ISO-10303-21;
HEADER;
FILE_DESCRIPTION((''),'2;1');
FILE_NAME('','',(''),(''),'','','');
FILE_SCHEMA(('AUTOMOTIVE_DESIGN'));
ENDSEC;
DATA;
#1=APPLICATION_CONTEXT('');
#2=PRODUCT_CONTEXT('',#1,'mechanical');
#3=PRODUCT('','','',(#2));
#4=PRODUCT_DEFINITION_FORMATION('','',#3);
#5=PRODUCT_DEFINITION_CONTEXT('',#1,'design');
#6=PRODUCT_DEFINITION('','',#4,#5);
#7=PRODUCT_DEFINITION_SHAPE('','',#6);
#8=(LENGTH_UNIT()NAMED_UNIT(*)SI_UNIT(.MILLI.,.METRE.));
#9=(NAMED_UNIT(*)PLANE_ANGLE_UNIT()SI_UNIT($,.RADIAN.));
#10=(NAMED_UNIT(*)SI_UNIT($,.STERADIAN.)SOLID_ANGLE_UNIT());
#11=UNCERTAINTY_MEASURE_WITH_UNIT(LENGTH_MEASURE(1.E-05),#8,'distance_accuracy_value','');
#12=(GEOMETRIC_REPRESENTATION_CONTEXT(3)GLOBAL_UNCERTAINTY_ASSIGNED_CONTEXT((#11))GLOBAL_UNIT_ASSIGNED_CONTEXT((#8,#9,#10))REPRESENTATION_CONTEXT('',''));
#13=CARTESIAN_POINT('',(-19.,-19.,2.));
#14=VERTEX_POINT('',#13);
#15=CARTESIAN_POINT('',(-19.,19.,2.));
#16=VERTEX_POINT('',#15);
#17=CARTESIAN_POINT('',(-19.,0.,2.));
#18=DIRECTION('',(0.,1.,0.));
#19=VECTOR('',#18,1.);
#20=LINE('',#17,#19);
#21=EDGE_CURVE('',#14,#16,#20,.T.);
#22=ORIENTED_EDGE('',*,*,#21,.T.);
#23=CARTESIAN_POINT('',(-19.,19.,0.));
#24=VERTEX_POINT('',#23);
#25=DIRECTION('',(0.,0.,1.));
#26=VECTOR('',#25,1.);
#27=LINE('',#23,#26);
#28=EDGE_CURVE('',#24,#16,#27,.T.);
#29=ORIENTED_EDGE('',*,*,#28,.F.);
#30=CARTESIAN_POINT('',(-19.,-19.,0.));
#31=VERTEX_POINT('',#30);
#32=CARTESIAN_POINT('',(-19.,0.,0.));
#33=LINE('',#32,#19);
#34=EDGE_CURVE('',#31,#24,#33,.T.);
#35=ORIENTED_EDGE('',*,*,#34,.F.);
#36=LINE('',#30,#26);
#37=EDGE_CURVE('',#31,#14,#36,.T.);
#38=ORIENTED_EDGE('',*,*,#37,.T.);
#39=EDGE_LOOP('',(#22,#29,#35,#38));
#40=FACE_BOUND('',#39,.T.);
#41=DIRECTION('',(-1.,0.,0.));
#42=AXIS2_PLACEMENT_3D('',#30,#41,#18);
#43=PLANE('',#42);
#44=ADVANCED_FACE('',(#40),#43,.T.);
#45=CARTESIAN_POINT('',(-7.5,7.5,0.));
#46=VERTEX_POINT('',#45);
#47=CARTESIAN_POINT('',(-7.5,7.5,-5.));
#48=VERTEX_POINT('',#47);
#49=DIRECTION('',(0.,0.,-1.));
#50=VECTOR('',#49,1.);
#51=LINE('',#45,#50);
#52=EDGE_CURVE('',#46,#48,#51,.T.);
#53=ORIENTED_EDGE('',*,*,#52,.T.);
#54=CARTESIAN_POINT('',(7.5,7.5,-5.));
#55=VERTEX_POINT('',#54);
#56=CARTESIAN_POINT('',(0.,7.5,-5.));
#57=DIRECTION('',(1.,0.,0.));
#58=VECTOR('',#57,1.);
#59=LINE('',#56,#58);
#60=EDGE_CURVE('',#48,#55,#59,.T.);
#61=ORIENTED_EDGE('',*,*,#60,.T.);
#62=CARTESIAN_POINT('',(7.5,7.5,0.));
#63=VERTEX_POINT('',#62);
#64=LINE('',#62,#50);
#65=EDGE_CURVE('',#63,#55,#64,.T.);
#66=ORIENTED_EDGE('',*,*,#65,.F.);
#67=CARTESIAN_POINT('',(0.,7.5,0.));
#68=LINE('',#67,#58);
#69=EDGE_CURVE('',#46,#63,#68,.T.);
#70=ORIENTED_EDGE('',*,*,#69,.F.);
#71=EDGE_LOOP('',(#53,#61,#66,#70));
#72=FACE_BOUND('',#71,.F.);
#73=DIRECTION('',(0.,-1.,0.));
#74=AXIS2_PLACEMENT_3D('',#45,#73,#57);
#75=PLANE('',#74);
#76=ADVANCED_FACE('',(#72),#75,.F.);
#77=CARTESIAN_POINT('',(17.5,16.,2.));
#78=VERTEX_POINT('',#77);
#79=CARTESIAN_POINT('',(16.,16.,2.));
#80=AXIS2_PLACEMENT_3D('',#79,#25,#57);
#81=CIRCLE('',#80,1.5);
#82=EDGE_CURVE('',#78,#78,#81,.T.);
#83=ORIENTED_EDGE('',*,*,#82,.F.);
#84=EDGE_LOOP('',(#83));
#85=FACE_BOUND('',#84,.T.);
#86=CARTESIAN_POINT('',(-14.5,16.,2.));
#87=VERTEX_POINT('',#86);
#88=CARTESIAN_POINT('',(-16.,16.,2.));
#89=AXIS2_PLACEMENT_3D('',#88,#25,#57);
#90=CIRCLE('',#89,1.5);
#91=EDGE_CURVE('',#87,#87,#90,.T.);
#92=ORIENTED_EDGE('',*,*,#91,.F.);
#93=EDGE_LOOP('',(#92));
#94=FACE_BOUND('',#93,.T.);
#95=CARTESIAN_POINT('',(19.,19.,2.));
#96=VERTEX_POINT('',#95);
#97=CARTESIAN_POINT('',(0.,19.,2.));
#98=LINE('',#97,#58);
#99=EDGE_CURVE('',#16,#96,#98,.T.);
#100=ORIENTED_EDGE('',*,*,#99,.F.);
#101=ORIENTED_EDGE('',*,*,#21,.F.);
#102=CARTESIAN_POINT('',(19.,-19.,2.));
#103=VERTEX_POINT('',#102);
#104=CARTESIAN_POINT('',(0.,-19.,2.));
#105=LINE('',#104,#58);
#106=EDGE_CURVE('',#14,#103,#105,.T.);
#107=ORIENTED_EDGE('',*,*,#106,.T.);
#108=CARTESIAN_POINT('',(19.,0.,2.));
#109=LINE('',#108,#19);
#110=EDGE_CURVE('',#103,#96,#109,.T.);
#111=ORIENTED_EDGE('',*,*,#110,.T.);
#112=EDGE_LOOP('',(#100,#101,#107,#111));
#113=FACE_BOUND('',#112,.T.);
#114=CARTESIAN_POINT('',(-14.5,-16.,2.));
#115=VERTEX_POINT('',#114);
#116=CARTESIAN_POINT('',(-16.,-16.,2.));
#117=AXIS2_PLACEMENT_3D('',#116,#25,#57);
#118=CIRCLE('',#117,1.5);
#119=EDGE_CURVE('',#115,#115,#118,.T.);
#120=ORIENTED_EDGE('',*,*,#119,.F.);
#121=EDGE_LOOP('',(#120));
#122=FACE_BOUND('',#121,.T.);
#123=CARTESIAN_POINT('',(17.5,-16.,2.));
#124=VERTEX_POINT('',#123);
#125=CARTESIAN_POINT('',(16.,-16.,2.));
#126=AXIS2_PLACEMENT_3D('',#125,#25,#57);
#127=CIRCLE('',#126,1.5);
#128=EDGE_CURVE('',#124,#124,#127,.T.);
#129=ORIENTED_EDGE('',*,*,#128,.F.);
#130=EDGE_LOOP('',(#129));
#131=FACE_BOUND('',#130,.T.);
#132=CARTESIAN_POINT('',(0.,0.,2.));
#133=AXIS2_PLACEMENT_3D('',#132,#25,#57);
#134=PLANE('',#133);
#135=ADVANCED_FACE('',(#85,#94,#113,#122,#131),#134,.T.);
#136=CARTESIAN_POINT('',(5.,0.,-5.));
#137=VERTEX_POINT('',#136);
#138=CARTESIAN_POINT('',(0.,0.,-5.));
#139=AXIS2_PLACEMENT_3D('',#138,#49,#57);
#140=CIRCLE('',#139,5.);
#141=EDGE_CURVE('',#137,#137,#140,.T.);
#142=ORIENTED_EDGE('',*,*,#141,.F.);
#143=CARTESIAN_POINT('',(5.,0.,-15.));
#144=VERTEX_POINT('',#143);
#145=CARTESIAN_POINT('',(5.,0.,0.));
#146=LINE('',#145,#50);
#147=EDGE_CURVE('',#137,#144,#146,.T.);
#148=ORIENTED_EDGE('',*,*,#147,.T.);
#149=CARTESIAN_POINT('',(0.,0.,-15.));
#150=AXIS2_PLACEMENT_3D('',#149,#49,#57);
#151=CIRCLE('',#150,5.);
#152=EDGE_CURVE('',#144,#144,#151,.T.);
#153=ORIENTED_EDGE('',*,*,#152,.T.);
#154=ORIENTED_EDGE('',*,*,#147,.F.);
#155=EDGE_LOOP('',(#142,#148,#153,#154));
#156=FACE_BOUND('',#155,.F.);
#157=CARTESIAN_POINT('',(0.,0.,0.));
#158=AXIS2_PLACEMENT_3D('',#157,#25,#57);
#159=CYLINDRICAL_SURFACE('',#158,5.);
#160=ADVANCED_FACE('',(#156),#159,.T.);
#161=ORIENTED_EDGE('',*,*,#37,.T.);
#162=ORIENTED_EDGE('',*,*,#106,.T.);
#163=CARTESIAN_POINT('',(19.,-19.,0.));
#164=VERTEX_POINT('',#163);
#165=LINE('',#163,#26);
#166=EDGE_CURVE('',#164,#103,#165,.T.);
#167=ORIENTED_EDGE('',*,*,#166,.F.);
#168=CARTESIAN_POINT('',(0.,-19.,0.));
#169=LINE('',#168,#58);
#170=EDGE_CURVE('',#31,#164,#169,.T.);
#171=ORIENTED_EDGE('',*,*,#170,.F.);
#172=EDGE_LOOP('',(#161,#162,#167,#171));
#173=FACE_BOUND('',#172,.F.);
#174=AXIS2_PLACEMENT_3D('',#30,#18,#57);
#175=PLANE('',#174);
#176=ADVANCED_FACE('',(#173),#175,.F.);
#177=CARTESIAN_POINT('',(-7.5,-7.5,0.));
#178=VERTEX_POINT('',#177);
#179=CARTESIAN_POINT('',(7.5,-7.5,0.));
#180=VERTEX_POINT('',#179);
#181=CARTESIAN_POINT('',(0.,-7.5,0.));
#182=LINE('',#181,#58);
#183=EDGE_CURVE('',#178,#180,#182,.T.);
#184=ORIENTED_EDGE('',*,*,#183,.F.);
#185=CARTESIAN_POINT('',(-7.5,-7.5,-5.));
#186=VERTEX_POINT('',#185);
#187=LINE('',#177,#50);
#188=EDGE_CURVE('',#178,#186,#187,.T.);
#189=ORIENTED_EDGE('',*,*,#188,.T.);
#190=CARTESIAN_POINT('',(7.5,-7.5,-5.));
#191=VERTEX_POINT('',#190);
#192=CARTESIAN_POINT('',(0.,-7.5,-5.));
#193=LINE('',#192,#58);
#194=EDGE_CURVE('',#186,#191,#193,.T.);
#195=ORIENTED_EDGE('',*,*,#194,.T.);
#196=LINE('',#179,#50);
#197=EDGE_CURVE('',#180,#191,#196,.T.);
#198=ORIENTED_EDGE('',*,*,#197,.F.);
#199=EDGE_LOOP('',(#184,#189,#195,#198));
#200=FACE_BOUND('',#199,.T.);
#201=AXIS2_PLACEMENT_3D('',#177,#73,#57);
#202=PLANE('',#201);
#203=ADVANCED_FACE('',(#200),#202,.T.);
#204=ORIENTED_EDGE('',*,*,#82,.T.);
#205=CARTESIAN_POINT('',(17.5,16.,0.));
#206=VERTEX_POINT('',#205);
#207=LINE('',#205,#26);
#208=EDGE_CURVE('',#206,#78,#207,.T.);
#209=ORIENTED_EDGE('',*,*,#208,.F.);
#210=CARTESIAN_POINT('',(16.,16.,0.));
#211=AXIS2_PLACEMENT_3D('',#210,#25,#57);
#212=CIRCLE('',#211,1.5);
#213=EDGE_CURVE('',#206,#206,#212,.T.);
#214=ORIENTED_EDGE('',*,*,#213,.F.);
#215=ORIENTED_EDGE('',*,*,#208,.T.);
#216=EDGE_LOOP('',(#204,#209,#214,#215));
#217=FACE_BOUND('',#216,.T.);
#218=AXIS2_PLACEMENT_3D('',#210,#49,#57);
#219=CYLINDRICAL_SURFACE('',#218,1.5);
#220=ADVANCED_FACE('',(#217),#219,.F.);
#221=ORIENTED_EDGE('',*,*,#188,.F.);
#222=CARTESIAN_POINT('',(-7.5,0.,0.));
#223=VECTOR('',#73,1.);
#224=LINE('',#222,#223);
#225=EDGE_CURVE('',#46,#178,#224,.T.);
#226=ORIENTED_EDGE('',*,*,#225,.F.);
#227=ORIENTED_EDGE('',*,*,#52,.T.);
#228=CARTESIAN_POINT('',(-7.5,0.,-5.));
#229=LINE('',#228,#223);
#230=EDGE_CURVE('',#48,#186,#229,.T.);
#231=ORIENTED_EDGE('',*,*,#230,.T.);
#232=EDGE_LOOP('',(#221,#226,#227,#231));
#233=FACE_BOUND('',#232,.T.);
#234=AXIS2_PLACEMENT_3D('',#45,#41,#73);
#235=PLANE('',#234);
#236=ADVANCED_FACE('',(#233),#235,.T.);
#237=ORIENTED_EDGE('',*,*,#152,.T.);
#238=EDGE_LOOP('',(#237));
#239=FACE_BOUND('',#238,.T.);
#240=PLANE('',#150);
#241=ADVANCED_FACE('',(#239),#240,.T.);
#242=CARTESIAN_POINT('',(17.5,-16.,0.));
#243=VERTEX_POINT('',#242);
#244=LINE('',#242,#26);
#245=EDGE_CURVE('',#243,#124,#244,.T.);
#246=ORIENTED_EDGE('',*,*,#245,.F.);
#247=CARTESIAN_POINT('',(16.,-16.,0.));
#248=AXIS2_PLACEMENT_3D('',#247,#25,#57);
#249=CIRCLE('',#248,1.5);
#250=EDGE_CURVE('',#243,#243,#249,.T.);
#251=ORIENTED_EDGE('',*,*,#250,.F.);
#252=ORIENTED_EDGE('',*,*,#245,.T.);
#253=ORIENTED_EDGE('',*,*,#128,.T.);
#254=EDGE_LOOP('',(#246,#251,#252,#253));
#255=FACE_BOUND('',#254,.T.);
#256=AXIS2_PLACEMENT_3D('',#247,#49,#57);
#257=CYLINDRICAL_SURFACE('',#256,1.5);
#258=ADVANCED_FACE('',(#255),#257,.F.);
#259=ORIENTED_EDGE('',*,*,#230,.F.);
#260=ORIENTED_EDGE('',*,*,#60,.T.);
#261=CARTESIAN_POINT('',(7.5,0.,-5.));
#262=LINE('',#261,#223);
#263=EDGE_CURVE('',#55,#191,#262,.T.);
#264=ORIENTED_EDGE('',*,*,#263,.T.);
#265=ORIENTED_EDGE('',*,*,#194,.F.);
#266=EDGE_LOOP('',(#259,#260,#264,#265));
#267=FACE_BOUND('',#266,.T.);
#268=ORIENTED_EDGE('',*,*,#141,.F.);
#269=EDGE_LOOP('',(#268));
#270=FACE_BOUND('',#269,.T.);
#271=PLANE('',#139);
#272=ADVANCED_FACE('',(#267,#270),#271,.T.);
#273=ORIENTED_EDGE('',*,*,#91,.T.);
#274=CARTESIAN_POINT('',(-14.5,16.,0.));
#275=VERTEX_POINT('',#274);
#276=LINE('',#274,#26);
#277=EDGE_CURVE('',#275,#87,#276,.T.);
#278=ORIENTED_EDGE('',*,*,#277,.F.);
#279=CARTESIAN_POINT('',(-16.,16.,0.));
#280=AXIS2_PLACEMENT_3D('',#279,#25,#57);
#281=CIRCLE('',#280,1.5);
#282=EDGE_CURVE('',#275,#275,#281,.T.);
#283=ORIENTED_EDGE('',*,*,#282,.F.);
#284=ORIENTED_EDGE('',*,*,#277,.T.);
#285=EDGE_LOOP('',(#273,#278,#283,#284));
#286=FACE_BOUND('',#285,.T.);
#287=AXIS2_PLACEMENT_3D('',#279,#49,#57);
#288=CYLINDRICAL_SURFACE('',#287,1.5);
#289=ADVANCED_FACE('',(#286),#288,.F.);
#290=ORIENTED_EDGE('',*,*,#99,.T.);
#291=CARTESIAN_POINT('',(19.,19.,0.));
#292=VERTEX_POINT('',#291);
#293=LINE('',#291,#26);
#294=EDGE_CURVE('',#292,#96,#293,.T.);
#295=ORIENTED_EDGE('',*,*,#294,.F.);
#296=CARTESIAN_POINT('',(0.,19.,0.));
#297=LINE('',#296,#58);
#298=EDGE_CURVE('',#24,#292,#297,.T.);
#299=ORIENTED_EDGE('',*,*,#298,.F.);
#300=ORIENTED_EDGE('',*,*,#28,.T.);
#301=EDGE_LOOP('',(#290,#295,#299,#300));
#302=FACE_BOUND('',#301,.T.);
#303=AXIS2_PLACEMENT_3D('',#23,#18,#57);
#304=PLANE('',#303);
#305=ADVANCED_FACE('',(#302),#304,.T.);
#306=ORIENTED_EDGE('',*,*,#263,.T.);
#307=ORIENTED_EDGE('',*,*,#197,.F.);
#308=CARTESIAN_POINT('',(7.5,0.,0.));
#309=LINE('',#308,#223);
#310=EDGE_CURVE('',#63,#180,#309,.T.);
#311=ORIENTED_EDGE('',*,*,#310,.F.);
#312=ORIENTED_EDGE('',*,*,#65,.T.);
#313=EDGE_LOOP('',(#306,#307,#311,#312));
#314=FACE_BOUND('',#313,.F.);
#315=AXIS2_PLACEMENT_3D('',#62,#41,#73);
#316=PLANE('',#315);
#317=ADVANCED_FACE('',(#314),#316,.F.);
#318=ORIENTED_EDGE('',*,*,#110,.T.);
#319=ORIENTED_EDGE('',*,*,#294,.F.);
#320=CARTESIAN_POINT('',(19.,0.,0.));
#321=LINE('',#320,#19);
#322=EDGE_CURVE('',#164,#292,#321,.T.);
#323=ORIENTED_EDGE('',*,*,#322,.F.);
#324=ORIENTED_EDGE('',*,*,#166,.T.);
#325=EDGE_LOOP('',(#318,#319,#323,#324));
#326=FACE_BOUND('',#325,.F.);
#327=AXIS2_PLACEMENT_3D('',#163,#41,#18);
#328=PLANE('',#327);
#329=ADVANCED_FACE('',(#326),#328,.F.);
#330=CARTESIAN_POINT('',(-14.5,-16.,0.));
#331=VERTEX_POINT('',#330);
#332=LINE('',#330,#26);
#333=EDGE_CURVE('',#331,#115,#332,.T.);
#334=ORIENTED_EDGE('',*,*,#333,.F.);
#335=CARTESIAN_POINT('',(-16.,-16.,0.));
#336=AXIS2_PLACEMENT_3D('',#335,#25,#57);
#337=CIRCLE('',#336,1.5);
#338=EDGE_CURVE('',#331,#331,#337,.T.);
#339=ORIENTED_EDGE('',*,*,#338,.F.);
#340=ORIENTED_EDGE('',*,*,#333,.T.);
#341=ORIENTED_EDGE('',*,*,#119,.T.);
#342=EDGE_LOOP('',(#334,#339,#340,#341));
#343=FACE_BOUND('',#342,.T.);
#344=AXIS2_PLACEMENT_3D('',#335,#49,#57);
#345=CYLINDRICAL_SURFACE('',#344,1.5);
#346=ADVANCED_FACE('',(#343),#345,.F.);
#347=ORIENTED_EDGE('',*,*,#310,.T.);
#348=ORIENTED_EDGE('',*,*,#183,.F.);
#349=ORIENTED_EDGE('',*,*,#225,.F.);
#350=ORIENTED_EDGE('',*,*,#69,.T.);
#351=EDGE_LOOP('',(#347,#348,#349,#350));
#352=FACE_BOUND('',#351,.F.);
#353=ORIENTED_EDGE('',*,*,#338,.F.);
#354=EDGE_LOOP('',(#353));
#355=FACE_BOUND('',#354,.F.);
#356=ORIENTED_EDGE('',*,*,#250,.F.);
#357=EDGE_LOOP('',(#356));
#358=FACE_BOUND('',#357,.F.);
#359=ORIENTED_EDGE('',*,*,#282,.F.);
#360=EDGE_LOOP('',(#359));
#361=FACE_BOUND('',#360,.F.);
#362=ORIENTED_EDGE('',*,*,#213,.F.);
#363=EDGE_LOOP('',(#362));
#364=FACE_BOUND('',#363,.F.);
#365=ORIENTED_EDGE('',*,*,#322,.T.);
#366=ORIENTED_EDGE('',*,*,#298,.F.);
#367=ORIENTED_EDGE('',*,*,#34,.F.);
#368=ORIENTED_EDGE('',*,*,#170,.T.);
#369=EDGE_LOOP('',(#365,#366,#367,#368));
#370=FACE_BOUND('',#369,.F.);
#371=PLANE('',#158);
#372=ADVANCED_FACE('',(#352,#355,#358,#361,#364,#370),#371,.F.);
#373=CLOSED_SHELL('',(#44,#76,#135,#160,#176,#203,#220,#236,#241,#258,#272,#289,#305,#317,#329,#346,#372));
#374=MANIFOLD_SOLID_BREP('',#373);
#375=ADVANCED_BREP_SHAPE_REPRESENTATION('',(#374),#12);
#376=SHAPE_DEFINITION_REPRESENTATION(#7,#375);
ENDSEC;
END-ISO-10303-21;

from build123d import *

# Parameters (mm, degrees)
F0_W      = 38
F0_H      = 38
F0_R      = 1.5
F1_DEPTH  = 2
F2_W      = 15
F2_H      = 15
F2_R      = 5
F3_DEPTH  = 5
F3_FACE_R = 5
F4_DEPTH  = 15


with BuildPart() as f1:
    # F0 (on Top) → F1 (new body)
    with BuildSketch(Plane.XY):
        Rectangle(F0_W, F0_H)
        with Locations((-16, -16)):
            Circle(F0_R, mode=Mode.SUBTRACT)
        with Locations((16, -16)):
            Circle(F0_R, mode=Mode.SUBTRACT)
        with Locations((-16, 16)):
            Circle(F0_R, mode=Mode.SUBTRACT)
        with Locations((16, 16)):
            Circle(F0_R, mode=Mode.SUBTRACT)
    extrude(amount=F1_DEPTH)

    # F2 (on face) → F3 (join)
    with BuildSketch(Plane(origin=(0, 0, 0), x_dir=(1, 0, 0), z_dir=(0, 0, -1))):
        Rectangle(F2_W, F2_H)
        Circle(F2_R, mode=Mode.SUBTRACT)
    extrude(amount=F3_DEPTH)

    # F3_face (on face) → F4 (join)
    with BuildSketch(Plane(origin=(0, 0, 0), x_dir=(1, 0, 0), z_dir=(0, 0, -1))):
        Circle(F3_FACE_R)
    extrude(amount=F4_DEPTH)


solid = f1.part
